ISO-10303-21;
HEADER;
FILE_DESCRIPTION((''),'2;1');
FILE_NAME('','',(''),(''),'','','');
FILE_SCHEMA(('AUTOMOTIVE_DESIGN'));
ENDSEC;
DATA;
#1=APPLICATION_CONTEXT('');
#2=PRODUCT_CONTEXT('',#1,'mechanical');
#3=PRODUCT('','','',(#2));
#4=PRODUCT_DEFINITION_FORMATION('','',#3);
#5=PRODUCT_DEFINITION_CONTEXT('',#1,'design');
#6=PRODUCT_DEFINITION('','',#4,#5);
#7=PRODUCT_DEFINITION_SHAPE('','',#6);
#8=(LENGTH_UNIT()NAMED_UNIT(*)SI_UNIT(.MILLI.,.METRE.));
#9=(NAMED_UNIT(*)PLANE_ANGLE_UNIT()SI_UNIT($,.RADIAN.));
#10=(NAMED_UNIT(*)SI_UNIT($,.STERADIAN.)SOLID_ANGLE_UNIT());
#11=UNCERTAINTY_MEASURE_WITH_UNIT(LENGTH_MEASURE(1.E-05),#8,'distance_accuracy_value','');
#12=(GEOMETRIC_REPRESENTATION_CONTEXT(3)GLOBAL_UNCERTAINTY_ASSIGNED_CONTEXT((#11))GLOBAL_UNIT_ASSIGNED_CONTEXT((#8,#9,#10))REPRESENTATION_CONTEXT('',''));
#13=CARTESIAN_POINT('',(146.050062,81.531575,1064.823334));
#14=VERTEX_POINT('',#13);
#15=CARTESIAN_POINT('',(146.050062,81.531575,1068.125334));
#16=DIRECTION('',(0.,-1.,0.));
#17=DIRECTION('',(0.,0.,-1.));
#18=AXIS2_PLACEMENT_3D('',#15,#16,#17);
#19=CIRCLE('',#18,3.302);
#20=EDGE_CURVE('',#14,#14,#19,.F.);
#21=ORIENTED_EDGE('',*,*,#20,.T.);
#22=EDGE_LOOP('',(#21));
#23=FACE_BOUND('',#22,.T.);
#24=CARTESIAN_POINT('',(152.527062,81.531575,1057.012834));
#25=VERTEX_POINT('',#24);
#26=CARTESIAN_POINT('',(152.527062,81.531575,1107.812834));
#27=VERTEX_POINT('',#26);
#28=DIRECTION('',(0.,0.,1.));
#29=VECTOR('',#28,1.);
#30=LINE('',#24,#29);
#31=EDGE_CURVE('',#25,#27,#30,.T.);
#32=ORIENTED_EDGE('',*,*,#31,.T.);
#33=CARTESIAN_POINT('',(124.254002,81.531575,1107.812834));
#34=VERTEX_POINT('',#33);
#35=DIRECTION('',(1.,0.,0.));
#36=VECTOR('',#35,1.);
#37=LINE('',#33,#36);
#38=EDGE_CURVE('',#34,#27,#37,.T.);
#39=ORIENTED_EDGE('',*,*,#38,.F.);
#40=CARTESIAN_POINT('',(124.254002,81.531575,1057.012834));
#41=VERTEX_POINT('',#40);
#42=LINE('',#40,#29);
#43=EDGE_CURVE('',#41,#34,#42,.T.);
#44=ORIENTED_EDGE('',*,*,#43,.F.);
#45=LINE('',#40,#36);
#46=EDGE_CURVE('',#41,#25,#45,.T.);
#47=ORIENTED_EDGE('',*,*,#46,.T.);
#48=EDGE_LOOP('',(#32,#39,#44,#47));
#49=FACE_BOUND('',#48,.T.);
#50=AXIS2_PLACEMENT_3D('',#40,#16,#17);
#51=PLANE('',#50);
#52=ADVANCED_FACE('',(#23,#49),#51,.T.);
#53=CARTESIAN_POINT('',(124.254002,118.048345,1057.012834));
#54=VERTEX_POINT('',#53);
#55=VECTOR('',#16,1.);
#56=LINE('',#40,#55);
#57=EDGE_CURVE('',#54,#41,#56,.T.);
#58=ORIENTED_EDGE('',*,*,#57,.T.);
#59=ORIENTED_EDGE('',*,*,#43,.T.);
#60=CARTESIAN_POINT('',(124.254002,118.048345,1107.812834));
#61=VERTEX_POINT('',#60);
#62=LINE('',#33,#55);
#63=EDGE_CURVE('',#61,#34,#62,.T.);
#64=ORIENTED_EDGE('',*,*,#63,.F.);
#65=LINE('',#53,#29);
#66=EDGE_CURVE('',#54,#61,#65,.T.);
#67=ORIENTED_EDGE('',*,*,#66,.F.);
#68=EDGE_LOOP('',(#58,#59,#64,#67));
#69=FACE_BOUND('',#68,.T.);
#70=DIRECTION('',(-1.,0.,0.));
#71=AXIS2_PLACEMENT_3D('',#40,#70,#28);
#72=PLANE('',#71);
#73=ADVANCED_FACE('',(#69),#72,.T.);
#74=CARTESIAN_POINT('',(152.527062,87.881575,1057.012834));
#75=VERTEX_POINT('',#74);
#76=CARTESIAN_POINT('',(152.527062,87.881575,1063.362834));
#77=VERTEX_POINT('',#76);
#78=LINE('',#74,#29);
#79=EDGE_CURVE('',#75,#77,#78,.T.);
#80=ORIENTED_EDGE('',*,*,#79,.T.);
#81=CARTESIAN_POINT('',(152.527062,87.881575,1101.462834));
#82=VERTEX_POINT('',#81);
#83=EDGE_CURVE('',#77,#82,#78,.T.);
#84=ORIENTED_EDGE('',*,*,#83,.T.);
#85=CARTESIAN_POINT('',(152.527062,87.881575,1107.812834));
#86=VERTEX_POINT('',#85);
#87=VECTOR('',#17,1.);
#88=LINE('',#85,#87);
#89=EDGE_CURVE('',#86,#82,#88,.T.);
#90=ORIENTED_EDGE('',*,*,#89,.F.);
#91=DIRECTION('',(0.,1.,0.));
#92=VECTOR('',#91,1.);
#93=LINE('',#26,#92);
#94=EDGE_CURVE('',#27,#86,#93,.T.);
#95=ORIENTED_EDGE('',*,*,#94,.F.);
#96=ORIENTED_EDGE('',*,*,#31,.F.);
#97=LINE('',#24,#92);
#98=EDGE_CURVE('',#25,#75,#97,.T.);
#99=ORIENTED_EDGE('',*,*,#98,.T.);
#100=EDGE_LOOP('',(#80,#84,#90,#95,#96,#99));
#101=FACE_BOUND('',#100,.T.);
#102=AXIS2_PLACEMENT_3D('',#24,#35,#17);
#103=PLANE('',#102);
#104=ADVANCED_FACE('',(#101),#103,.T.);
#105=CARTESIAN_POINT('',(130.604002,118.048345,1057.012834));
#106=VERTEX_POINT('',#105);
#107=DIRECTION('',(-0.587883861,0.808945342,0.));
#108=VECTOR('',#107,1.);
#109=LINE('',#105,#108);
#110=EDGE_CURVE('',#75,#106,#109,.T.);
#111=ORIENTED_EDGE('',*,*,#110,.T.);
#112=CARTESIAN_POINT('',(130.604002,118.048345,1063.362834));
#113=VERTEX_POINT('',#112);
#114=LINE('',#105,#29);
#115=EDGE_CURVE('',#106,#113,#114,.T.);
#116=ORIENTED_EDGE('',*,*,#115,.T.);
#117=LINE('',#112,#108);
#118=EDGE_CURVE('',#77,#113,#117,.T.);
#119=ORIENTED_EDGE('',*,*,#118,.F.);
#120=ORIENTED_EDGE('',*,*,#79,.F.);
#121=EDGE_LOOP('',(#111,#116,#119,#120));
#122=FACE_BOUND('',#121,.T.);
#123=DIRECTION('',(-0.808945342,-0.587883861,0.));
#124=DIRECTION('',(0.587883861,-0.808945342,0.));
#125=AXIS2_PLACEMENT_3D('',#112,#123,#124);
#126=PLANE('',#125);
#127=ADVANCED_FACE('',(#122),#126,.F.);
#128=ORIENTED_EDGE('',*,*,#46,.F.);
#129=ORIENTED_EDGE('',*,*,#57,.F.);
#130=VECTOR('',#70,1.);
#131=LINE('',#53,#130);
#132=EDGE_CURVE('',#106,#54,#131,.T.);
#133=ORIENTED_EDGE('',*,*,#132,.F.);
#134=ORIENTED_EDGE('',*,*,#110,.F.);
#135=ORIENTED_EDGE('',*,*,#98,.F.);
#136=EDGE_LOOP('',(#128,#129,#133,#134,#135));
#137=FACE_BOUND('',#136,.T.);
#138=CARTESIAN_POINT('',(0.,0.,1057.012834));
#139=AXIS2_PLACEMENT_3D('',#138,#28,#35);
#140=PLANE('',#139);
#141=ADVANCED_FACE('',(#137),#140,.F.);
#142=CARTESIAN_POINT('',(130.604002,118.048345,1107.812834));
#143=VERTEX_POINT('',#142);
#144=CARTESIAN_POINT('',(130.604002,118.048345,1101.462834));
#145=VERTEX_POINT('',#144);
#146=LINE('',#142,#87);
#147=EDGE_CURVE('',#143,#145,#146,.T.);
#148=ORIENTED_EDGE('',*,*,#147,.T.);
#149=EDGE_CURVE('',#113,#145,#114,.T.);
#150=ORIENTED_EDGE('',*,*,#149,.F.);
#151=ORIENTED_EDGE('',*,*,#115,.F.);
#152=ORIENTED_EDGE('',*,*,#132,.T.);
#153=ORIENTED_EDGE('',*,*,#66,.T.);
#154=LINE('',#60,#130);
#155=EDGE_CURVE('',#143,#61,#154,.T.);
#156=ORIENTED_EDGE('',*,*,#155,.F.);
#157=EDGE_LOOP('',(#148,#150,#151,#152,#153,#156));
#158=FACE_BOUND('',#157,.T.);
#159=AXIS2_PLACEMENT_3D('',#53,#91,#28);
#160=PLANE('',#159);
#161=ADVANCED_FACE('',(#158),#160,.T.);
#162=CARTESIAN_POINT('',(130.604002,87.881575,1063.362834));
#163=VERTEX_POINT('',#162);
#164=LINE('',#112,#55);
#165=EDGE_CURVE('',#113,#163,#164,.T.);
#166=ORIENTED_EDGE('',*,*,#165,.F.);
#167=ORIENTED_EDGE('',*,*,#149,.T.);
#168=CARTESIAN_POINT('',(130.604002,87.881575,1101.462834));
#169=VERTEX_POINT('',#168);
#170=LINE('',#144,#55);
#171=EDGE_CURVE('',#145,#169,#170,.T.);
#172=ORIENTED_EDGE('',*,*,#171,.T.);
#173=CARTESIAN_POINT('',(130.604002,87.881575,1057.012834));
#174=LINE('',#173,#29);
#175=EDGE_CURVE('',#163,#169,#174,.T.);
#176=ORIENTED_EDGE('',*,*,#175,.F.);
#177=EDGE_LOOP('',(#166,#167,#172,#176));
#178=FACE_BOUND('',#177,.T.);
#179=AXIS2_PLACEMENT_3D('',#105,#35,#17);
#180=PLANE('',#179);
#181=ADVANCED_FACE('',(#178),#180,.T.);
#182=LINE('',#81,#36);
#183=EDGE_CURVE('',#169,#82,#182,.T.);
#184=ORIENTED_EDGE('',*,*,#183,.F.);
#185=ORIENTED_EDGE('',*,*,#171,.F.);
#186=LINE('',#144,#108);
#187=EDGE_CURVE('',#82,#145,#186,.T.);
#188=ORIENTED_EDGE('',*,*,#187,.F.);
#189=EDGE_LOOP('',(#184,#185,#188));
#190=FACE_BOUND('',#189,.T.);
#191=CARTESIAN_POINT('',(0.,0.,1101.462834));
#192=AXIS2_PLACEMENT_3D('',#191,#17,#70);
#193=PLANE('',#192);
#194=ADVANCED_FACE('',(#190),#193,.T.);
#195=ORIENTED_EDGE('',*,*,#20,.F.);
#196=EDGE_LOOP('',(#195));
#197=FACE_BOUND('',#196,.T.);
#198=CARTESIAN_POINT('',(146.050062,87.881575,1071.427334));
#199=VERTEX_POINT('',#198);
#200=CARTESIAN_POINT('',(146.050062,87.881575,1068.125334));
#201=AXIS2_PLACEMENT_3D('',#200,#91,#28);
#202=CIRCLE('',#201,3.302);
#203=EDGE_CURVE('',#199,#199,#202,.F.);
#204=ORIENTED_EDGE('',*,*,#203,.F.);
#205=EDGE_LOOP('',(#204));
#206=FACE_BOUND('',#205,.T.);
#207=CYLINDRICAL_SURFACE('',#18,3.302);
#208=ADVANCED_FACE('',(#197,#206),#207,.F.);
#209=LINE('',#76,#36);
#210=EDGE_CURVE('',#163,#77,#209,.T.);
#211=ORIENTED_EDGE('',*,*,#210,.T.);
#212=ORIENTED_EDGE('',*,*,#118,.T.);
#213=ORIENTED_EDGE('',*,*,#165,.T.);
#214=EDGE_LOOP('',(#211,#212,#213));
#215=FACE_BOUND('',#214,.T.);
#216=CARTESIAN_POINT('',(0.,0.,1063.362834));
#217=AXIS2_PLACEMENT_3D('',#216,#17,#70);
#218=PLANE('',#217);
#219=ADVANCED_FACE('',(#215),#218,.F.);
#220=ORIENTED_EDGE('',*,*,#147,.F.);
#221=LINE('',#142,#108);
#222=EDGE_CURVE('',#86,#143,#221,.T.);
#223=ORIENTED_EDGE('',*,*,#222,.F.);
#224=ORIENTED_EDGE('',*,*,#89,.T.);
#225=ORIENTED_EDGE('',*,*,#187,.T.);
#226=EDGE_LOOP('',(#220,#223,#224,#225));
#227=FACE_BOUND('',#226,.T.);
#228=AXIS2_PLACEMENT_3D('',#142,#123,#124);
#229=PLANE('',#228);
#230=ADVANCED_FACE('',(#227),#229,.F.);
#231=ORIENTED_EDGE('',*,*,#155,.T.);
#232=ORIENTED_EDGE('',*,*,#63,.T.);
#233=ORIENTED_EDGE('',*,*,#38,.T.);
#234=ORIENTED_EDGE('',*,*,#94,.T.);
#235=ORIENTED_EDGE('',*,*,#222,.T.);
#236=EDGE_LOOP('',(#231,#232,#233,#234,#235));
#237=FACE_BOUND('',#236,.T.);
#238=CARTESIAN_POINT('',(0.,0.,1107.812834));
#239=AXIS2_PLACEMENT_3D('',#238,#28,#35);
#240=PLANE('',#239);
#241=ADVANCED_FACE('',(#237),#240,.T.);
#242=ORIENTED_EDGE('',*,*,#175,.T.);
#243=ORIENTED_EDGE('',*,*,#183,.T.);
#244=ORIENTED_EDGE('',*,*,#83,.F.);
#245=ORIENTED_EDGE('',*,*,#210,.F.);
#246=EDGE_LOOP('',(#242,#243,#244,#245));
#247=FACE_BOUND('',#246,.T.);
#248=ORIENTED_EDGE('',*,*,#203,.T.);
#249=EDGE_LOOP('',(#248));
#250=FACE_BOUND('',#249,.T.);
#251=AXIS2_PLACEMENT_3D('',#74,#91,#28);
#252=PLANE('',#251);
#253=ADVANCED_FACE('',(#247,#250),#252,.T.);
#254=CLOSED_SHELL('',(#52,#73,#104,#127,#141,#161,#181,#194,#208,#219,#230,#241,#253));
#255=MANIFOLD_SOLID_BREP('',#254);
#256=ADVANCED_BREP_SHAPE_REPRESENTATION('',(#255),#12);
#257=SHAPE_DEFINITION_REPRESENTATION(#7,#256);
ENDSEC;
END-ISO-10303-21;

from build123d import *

# Parameters (mm, degrees)
BOSS_EXTRUDE1_START     = 1057.012834
BOSS_EXTRUDE1_DEPTH     = 50.8
CUT_EXTRUDE1_DEPTH      = 1125.4772971
CUT_EXTRUDE1_DEPTH_BACK = 1125.4772971
SKETCH2_R               = 3.302
BOSS_EXTRUDE2_START     = 1057.012834
BOSS_EXTRUDE2_DEPTH     = 6.35
BOSS_EXTRUDE3_START     = 1101.462834
BOSS_EXTRUDE3_DEPTH     = 6.35


with BuildPart() as part:
    # Sketch1 → Boss-Extrude1 (new body)
    with BuildSketch(Plane.XY.offset(BOSS_EXTRUDE1_START)):
        Polygon((152.527062484, 81.531574554), (152.527062484, 87.881574554), (130.604002291, 87.881574554), (130.604002291, 118.048344881), (124.254002291, 118.048344881), (124.254002291, 81.531574554), align=None)
    extrude(amount=BOSS_EXTRUDE1_DEPTH)

    # Sketch2 → Cut-Extrude1 (cut, two sides: drawn at the far end of the back side and taken through both)
    with BuildSketch(Plane(origin=(0, 0, 0), x_dir=(1, 0, 0), z_dir=(0, 1, 0)).offset(-CUT_EXTRUDE1_DEPTH_BACK)):
        with Locations(Location((146.050062484, -1068.125334154, 0), (0, 0, 90))):
            Circle(SKETCH2_R)
    extrude(amount=CUT_EXTRUDE1_DEPTH + CUT_EXTRUDE1_DEPTH_BACK, mode=Mode.SUBTRACT)

    # Sketch3 → Boss-Extrude2 (add)
    with BuildSketch(Plane.XY.offset(BOSS_EXTRUDE2_START)):
        Polygon((130.604002291, 118.048344881), (152.527062484, 87.881574554), (130.604002291, 87.881574554), align=None)
    extrude(amount=BOSS_EXTRUDE2_DEPTH)

    # Sketch3<2> → Boss-Extrude3 (add)
    with BuildSketch(Plane.XY.offset(BOSS_EXTRUDE3_START)):
        Polygon((130.604002291, 118.048344881), (152.527062484, 87.881574554), (130.604002291, 87.881574554), align=None)
    extrude(amount=BOSS_EXTRUDE3_DEPTH)


solid = part.part
